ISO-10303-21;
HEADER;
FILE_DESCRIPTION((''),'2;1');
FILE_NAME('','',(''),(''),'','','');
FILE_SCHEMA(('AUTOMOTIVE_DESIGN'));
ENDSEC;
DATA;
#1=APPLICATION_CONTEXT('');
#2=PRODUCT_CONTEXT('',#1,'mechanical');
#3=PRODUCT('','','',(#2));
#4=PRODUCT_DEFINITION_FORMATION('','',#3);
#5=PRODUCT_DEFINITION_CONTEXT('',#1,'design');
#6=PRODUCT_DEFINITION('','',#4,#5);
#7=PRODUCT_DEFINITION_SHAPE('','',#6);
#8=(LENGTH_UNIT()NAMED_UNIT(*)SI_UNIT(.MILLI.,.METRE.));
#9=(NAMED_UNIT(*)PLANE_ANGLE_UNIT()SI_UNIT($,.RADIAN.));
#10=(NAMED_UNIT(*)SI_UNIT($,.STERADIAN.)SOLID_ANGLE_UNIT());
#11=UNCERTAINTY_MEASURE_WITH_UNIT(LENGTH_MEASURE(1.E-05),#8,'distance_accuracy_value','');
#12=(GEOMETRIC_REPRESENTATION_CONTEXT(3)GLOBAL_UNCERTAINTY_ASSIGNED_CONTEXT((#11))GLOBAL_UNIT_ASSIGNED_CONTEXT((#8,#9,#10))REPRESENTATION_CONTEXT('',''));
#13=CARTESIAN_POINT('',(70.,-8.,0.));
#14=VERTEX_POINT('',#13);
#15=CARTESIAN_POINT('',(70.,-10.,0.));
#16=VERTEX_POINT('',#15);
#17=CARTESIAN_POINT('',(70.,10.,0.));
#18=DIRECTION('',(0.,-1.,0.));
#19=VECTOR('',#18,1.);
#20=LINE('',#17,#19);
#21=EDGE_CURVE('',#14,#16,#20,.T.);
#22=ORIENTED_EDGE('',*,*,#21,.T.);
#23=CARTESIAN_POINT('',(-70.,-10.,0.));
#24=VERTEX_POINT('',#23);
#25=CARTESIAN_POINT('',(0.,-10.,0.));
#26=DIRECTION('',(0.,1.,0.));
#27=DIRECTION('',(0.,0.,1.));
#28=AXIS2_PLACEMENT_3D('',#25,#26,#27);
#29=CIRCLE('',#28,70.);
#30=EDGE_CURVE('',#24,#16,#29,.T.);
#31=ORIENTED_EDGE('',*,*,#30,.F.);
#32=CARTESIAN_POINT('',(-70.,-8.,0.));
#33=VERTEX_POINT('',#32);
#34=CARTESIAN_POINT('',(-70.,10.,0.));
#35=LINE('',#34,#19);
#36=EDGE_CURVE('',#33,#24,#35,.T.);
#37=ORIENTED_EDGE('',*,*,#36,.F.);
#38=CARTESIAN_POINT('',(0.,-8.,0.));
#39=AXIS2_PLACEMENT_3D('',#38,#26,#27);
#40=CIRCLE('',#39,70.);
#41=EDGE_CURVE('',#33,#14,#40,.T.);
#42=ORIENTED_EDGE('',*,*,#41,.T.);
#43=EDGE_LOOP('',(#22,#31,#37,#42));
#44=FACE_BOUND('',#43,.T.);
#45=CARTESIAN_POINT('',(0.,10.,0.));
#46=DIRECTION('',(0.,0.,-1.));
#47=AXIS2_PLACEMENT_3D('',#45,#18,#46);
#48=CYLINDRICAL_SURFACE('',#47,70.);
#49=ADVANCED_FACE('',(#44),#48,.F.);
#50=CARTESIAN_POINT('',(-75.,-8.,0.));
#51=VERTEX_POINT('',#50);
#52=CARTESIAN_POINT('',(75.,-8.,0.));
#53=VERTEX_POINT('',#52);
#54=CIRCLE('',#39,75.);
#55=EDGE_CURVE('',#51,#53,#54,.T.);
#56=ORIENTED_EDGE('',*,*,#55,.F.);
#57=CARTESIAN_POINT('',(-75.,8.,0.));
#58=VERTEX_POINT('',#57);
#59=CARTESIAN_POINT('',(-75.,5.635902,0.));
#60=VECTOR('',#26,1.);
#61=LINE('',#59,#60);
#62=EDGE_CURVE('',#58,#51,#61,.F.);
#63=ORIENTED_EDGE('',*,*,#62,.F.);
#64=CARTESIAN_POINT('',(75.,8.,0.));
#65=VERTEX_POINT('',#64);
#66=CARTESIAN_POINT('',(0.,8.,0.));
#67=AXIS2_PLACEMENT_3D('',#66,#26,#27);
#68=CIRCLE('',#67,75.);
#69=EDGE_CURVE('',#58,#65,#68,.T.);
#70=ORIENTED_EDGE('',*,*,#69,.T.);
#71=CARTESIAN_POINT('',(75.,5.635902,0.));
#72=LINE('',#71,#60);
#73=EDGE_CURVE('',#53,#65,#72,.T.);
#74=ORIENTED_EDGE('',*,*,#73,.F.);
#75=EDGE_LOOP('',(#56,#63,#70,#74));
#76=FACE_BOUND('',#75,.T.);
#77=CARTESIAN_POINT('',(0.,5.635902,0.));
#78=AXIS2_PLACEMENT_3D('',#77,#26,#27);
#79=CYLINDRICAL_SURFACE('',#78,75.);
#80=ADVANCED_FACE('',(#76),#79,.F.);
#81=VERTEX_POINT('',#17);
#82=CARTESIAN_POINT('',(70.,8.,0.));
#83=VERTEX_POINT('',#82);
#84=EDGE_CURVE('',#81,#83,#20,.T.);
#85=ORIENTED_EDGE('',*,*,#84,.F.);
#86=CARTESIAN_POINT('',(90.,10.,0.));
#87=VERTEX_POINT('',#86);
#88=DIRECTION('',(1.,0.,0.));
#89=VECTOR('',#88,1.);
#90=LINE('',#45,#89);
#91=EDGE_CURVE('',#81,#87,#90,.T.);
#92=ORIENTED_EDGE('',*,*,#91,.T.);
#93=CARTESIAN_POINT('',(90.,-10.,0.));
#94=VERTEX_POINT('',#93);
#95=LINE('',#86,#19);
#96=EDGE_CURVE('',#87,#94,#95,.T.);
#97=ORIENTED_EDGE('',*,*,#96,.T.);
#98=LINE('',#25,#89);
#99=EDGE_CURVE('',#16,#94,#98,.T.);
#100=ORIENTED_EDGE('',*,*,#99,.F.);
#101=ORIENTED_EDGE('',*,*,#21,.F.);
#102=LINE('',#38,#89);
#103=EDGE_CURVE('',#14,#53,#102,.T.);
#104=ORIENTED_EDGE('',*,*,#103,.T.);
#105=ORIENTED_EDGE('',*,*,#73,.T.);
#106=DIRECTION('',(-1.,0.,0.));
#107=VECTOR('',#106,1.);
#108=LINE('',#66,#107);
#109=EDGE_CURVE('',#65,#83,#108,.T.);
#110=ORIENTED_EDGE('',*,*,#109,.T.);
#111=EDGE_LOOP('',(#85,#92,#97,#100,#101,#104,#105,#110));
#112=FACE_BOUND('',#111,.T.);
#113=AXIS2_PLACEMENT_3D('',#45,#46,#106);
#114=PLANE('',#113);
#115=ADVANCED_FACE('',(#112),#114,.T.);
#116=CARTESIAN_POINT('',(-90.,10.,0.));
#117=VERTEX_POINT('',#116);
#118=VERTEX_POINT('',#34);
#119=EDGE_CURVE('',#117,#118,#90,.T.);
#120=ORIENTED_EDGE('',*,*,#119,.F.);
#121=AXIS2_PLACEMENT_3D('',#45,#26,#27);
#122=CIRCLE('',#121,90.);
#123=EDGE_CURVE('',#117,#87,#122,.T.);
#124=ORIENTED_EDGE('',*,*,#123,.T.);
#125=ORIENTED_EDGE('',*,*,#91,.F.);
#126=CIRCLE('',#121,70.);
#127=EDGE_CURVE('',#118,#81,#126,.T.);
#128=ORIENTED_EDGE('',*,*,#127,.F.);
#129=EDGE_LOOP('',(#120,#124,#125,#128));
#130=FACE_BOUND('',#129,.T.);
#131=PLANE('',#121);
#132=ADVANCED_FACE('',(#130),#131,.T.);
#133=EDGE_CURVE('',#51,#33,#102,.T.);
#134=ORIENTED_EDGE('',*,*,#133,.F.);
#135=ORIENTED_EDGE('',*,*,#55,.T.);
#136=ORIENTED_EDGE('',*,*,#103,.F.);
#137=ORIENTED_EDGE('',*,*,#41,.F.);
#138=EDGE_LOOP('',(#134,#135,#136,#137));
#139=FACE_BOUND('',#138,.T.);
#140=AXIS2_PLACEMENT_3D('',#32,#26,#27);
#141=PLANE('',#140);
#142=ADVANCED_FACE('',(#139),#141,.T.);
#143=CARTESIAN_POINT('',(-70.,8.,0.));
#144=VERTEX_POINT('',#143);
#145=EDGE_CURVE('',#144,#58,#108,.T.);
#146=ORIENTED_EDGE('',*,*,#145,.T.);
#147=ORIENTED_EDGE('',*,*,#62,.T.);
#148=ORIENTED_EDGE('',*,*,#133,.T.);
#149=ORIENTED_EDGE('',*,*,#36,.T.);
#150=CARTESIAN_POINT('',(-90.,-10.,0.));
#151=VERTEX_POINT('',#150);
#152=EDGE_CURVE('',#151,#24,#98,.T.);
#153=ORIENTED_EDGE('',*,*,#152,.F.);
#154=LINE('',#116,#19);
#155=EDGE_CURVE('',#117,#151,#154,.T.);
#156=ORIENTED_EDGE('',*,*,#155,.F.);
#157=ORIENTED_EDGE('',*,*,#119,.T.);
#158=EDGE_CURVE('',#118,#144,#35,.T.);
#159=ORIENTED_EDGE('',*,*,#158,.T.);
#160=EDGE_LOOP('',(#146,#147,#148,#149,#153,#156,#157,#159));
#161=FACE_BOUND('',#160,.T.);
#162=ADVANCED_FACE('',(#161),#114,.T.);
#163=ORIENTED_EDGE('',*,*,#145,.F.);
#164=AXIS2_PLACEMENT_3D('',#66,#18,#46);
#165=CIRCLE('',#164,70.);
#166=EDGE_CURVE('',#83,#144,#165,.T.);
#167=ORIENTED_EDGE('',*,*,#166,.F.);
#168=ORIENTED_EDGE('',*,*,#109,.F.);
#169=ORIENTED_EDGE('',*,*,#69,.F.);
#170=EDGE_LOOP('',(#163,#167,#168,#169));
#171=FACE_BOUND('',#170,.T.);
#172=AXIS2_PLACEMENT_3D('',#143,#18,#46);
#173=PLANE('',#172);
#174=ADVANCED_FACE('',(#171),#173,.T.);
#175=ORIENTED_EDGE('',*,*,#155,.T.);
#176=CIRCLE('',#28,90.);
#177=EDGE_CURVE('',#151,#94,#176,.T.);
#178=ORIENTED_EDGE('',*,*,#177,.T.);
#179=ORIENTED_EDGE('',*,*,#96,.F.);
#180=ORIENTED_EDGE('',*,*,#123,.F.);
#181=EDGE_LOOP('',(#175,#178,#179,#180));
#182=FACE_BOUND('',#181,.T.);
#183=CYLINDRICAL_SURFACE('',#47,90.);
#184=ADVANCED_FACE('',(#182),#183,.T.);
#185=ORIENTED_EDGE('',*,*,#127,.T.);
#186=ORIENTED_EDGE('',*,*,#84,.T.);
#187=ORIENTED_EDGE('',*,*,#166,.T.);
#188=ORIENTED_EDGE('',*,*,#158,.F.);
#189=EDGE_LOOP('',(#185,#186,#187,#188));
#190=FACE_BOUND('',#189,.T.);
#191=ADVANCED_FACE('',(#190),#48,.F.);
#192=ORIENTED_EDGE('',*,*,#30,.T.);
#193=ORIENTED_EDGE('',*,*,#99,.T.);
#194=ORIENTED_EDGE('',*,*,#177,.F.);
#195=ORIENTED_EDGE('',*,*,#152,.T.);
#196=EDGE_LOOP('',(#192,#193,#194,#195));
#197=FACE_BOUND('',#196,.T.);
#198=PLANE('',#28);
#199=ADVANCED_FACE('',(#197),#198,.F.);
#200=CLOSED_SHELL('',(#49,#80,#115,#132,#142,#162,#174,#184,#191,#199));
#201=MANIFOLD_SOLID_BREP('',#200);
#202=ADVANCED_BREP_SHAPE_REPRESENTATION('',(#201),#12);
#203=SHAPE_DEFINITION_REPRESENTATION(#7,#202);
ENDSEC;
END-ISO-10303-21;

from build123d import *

# Parameters (mm, degrees)
BOSS_EXTRUDE1_DEPTH = 10
SKETCH2_W           = 5
SKETCH2_H           = 16


with BuildPart() as part:
    # Sketch1 → Boss-Extrude1 (new, symmetric)
    with BuildSketch(Plane(origin=(0, 0, 0), x_dir=(1, 0, 0), z_dir=(0, 1, 0))):
        with BuildLine():
            Line((-70, 0), (-90, 0))
            ThreePointArc((-90, 0), (0, -90), (90, 0))
            Line((90, 0), (70, 0))
            ThreePointArc((70, 0), (0, -70), (-70, 0))
        make_face()
    extrude(amount=BOSS_EXTRUDE1_DEPTH, both=True)

    # Sketch2 → Cut-Revolve1 (revolve, cut)
    with BuildSketch(Plane(origin=(0, 0, 0), x_dir=(-1, 0, 0), z_dir=(0, 0, -1))):
        with Locations((72.5, 0)):
            Rectangle(SKETCH2_W, SKETCH2_H)
    revolve(axis=Axis((0, 5.63590195, 0), (0, -1, 0)), mode=Mode.SUBTRACT)


solid = part.part
